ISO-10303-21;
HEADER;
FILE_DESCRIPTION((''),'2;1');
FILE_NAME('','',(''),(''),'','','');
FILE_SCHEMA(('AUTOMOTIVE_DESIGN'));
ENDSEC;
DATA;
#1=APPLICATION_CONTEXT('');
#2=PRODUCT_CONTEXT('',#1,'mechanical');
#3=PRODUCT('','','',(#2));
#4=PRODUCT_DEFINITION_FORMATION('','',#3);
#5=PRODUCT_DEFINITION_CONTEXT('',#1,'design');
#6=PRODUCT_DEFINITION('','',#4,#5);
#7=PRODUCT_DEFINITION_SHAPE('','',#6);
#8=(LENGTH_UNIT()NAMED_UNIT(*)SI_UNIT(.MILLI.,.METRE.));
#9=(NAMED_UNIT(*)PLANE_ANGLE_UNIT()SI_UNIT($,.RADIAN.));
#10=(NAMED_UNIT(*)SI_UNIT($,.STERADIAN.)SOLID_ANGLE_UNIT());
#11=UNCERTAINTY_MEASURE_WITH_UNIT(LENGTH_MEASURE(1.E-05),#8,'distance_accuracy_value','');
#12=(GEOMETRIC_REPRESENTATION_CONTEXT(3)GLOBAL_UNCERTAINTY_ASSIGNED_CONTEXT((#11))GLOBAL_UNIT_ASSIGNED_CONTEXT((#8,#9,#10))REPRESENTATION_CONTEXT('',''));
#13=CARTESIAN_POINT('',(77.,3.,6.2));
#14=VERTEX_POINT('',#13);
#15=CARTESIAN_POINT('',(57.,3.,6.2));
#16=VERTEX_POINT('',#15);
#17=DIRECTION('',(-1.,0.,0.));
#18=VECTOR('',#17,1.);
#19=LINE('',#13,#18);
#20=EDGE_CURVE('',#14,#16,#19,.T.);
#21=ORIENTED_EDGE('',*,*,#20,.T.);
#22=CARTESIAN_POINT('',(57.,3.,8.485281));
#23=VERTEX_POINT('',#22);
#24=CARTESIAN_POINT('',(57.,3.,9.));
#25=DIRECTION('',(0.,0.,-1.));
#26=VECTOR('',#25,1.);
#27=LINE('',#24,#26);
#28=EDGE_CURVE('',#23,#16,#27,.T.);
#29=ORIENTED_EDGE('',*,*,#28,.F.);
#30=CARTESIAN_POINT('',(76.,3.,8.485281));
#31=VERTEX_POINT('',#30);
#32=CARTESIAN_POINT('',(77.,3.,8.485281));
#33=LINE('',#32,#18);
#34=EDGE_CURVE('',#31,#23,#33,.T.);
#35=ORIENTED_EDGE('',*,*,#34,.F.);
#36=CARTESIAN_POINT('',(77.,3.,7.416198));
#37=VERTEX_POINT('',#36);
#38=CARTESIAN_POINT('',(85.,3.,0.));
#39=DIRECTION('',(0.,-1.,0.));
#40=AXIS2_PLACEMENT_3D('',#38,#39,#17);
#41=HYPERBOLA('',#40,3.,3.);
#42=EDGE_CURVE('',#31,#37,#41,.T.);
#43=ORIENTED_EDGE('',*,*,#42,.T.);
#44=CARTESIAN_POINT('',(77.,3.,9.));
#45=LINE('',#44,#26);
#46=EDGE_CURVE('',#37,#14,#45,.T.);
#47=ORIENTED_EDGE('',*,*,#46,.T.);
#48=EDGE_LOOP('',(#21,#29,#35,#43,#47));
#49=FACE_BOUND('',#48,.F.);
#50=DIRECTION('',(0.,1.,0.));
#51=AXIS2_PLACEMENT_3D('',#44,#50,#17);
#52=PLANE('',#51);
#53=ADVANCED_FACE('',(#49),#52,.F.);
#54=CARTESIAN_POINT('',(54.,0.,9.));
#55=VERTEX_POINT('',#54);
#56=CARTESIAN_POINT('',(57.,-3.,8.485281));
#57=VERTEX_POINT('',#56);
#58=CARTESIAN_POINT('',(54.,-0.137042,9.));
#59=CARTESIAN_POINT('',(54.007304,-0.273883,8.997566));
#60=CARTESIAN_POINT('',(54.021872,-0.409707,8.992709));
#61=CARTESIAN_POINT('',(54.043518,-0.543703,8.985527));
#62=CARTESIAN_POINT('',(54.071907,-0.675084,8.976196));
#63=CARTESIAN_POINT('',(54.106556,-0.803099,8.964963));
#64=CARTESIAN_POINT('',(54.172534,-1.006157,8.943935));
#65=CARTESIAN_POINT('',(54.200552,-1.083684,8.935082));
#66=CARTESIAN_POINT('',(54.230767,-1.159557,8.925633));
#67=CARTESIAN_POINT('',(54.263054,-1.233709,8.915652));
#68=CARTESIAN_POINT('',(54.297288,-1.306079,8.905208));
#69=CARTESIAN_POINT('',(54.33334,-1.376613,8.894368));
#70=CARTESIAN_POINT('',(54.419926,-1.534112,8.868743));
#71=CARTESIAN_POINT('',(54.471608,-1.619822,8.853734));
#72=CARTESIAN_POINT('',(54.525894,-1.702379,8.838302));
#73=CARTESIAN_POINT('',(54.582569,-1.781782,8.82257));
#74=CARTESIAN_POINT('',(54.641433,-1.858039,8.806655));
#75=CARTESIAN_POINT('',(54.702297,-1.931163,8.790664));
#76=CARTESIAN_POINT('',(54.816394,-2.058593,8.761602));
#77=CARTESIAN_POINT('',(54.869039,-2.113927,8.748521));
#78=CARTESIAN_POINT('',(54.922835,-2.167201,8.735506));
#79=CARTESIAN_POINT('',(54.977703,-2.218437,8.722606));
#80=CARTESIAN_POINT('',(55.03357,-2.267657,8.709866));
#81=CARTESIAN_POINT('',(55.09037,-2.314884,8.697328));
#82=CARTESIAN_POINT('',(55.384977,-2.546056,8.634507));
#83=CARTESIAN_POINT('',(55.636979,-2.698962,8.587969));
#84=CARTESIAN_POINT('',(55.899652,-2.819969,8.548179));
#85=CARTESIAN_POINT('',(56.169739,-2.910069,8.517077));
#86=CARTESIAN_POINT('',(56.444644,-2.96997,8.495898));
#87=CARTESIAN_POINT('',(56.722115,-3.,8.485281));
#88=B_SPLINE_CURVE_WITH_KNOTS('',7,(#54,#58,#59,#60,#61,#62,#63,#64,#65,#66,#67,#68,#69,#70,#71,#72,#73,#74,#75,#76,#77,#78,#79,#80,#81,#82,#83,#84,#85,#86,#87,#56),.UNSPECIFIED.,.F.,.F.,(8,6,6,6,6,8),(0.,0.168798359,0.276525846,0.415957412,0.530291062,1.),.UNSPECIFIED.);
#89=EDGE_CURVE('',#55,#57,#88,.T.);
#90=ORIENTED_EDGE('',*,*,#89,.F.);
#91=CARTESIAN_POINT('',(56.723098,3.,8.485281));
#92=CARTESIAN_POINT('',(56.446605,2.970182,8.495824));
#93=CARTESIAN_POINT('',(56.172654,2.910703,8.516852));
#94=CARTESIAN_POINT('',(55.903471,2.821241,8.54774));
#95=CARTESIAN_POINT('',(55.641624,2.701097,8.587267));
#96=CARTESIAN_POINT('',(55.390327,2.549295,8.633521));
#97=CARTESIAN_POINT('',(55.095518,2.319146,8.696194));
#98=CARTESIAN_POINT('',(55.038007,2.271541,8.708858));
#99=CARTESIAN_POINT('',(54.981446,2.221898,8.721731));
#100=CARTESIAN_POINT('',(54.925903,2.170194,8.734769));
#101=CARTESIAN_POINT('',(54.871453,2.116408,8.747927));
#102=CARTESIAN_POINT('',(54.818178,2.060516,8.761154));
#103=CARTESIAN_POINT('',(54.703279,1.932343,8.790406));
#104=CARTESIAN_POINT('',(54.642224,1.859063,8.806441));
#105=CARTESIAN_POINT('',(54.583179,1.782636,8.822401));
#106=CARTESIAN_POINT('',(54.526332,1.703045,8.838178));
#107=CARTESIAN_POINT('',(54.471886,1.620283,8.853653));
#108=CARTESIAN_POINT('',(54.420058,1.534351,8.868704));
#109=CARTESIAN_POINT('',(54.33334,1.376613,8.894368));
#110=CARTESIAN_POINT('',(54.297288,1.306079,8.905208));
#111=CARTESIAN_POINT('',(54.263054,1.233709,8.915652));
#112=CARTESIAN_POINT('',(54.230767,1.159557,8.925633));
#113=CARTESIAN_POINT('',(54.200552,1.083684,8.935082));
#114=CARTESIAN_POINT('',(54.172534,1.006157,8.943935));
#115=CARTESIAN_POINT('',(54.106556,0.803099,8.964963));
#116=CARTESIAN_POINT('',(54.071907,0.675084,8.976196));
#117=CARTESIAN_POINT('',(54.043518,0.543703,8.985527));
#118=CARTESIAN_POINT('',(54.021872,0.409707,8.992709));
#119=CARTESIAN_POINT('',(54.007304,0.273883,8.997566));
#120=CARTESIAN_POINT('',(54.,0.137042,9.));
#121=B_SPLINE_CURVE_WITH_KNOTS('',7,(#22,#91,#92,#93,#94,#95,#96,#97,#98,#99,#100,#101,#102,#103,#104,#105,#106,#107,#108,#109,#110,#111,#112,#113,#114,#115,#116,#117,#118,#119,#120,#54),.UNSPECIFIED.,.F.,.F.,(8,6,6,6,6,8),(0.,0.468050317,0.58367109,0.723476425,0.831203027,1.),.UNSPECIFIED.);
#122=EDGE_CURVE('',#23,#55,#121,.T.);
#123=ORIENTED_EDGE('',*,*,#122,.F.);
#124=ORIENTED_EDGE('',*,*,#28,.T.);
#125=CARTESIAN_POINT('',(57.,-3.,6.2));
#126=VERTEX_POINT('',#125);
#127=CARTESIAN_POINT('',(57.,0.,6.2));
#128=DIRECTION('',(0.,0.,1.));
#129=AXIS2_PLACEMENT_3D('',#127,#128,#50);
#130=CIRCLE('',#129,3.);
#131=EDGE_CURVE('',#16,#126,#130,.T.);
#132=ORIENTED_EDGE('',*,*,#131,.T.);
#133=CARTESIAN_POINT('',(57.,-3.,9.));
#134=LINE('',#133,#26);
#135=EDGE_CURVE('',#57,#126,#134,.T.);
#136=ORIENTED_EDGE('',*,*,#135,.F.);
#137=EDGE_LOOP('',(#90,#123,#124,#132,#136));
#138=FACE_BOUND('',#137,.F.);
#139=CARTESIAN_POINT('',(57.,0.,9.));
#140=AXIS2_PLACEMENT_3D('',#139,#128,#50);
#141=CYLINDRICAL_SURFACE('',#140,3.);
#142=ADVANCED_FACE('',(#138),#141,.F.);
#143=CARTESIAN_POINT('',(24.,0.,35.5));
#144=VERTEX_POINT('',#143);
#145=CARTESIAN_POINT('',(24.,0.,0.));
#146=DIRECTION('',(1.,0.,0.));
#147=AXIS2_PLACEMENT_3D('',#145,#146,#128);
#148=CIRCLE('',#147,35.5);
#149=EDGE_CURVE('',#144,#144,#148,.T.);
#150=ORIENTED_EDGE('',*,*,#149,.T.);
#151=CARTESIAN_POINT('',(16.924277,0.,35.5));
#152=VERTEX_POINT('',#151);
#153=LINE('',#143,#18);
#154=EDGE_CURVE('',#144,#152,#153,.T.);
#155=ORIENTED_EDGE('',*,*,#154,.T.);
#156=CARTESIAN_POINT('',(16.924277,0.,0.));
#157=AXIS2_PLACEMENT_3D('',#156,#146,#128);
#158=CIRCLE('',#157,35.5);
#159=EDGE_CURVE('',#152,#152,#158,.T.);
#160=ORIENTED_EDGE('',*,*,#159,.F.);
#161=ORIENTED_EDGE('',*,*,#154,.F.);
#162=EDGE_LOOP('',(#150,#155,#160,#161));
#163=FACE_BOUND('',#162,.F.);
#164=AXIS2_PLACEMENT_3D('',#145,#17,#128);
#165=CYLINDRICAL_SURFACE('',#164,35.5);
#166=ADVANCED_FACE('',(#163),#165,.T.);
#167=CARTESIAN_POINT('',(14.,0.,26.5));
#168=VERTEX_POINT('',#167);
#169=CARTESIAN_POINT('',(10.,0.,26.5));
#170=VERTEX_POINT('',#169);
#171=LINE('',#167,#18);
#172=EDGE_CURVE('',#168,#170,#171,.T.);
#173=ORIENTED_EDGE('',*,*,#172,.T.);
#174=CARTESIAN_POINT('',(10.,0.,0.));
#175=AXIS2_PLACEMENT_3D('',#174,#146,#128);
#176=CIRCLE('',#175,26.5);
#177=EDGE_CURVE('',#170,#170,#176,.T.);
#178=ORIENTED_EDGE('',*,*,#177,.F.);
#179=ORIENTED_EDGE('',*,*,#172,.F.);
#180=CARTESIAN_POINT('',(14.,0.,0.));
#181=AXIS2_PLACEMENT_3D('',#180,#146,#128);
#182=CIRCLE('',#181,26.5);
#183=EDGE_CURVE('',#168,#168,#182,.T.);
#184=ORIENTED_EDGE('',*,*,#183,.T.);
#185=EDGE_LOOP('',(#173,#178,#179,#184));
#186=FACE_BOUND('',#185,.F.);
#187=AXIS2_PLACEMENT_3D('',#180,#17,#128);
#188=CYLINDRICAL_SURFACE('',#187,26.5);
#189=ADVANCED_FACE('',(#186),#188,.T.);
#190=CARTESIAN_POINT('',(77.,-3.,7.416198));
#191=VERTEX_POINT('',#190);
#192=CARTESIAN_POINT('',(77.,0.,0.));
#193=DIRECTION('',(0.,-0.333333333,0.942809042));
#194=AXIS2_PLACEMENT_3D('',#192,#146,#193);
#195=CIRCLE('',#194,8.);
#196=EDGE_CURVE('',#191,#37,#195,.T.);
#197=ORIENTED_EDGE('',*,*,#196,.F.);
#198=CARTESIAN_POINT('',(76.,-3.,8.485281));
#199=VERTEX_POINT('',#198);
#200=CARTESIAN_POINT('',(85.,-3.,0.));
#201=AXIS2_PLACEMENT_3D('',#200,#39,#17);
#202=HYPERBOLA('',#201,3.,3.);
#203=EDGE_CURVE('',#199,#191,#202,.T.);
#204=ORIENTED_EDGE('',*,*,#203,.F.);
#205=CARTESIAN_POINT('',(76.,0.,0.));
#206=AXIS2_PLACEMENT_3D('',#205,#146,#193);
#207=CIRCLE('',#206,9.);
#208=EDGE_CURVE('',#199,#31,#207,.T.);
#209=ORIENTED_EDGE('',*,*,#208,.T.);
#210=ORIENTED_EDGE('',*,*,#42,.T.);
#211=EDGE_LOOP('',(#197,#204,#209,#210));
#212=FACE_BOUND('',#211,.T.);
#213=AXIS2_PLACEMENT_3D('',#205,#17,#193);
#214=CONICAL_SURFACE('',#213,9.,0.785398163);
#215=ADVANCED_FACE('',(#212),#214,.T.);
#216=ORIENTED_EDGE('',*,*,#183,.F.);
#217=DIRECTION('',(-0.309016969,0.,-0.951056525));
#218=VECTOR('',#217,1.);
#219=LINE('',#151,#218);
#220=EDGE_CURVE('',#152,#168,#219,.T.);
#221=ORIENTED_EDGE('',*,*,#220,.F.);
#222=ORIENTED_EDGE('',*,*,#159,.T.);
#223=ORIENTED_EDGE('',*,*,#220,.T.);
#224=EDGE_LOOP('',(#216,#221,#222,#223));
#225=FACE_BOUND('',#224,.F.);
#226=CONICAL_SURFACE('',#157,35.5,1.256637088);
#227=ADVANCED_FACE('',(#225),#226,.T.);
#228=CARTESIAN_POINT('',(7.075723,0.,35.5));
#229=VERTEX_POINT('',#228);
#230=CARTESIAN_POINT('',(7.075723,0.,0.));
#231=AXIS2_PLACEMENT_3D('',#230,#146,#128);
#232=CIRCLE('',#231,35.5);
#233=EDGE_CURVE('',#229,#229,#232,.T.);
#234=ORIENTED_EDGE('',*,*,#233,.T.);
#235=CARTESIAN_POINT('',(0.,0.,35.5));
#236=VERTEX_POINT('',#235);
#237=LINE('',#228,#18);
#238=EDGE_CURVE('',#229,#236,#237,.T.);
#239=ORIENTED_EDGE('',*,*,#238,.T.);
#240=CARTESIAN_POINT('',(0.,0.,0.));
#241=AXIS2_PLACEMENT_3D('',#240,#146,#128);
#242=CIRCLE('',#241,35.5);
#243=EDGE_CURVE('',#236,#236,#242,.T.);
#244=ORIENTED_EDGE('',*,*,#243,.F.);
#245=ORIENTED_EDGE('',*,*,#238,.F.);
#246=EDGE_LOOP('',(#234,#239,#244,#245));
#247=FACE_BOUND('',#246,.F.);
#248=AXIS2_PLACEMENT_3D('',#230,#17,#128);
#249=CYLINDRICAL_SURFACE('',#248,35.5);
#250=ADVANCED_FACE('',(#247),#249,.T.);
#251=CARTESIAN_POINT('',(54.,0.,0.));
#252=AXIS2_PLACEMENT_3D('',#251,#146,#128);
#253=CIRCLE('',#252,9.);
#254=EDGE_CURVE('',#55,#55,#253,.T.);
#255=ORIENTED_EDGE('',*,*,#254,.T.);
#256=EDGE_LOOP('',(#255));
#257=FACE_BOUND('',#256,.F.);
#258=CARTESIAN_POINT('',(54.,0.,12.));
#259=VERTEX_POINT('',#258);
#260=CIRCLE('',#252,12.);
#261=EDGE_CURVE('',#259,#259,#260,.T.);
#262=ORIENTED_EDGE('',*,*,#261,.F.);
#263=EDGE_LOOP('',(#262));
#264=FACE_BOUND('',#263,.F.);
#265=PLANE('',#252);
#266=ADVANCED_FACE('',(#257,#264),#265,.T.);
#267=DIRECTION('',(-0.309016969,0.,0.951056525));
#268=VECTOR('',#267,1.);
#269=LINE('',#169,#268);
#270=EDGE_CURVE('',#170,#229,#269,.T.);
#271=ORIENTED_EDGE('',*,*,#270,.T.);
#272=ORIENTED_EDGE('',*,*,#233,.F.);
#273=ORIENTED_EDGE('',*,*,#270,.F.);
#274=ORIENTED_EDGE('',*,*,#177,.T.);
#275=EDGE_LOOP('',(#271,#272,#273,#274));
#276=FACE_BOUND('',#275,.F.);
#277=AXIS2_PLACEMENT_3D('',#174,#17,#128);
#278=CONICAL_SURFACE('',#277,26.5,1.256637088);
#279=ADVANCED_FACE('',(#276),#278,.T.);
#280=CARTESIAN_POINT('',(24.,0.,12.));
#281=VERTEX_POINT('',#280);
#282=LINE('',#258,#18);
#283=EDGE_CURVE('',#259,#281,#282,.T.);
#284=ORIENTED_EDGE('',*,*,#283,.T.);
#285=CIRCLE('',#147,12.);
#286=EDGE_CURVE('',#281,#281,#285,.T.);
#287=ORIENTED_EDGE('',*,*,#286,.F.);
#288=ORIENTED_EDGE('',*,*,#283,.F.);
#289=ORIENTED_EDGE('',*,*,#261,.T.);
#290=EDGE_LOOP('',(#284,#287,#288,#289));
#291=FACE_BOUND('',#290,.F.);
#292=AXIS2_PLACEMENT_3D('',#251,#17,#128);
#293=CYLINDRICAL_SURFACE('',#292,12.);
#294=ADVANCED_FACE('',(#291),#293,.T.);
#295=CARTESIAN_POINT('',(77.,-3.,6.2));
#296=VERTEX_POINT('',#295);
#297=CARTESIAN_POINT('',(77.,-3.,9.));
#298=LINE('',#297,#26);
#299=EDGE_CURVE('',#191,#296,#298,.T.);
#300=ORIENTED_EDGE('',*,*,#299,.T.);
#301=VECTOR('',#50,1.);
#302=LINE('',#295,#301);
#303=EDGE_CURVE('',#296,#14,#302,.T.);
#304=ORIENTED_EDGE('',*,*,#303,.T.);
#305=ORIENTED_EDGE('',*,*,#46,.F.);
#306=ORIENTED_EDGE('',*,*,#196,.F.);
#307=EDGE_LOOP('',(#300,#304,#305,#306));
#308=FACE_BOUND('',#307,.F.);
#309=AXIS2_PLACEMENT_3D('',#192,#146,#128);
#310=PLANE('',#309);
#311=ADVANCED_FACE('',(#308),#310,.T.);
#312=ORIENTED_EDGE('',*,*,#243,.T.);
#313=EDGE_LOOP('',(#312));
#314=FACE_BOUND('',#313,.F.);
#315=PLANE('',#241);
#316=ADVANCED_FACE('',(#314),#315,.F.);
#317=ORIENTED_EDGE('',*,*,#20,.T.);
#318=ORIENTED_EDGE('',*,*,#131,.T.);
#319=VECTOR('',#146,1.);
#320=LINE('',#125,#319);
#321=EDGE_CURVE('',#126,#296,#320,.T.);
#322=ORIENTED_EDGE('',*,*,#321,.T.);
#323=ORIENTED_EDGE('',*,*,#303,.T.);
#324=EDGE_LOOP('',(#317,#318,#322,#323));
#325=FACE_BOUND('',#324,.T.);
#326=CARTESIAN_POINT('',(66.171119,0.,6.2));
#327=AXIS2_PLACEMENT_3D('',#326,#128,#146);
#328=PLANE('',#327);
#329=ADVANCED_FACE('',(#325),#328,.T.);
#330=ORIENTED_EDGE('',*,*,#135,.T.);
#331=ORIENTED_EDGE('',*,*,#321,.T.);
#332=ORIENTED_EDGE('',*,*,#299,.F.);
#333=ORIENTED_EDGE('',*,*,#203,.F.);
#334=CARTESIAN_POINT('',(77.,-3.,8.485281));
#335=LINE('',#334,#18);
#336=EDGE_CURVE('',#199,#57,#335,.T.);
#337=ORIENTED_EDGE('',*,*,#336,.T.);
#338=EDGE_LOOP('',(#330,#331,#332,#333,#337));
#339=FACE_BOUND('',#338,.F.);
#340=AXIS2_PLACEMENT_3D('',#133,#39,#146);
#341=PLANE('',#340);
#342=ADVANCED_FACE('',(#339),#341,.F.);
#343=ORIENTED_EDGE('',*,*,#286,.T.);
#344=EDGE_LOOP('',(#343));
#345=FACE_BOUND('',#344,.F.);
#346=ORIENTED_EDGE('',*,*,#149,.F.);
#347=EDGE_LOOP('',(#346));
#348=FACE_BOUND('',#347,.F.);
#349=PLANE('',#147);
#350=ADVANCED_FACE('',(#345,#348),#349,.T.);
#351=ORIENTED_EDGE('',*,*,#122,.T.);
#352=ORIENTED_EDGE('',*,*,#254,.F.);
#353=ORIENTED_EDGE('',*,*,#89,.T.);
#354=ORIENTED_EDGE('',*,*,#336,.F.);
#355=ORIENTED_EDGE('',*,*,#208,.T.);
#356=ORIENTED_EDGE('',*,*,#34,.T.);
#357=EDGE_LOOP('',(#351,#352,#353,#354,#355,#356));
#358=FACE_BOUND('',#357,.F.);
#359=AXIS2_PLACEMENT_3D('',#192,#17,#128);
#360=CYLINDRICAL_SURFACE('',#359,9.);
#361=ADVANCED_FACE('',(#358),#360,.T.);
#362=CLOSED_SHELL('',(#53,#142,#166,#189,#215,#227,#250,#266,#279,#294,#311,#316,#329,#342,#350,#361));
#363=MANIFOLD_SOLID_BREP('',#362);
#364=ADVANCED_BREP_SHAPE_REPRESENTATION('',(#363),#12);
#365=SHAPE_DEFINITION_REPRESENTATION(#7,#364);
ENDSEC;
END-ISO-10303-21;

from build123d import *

# Parameters (mm, degrees)
F4_DEPTH = 2.8
F5_SIZE  = 1


with BuildPart() as f1:
    # F0 (on Front) → F1 (revolve)
    with BuildSketch(Plane.XZ):
        Polygon((0, 35.5), (0, 0), (77, 0), (77, 9), (54, 9), (54, 12), (24, 12), (24, 35.5), (16.924277, 35.5), (14, 26.5), (10, 26.5), (7.075723, 35.5), align=None)
    revolve(axis=Axis((38.5, 0, 0), (1, 0, 0)))

    # F3 (on offset) → F4 (cut)
    with BuildSketch(Plane.XY.offset(9)):
        with BuildLine():
            Line((57, -3), (77, -3))
            Line((77, -3), (77, 3))
            Line((77, 3), (57, 3))
            ThreePointArc((57, 3), (54, 0), (57, -3))
        make_face()
    extrude(amount=-F4_DEPTH, mode=Mode.SUBTRACT)

    # F5
    f5_edges = [f1.edges().sort_by_distance(p)[0] for p in [
        (77, 0, -9),
    ]]
    chamfer(f5_edges, length=F5_SIZE)


solid = f1.part
